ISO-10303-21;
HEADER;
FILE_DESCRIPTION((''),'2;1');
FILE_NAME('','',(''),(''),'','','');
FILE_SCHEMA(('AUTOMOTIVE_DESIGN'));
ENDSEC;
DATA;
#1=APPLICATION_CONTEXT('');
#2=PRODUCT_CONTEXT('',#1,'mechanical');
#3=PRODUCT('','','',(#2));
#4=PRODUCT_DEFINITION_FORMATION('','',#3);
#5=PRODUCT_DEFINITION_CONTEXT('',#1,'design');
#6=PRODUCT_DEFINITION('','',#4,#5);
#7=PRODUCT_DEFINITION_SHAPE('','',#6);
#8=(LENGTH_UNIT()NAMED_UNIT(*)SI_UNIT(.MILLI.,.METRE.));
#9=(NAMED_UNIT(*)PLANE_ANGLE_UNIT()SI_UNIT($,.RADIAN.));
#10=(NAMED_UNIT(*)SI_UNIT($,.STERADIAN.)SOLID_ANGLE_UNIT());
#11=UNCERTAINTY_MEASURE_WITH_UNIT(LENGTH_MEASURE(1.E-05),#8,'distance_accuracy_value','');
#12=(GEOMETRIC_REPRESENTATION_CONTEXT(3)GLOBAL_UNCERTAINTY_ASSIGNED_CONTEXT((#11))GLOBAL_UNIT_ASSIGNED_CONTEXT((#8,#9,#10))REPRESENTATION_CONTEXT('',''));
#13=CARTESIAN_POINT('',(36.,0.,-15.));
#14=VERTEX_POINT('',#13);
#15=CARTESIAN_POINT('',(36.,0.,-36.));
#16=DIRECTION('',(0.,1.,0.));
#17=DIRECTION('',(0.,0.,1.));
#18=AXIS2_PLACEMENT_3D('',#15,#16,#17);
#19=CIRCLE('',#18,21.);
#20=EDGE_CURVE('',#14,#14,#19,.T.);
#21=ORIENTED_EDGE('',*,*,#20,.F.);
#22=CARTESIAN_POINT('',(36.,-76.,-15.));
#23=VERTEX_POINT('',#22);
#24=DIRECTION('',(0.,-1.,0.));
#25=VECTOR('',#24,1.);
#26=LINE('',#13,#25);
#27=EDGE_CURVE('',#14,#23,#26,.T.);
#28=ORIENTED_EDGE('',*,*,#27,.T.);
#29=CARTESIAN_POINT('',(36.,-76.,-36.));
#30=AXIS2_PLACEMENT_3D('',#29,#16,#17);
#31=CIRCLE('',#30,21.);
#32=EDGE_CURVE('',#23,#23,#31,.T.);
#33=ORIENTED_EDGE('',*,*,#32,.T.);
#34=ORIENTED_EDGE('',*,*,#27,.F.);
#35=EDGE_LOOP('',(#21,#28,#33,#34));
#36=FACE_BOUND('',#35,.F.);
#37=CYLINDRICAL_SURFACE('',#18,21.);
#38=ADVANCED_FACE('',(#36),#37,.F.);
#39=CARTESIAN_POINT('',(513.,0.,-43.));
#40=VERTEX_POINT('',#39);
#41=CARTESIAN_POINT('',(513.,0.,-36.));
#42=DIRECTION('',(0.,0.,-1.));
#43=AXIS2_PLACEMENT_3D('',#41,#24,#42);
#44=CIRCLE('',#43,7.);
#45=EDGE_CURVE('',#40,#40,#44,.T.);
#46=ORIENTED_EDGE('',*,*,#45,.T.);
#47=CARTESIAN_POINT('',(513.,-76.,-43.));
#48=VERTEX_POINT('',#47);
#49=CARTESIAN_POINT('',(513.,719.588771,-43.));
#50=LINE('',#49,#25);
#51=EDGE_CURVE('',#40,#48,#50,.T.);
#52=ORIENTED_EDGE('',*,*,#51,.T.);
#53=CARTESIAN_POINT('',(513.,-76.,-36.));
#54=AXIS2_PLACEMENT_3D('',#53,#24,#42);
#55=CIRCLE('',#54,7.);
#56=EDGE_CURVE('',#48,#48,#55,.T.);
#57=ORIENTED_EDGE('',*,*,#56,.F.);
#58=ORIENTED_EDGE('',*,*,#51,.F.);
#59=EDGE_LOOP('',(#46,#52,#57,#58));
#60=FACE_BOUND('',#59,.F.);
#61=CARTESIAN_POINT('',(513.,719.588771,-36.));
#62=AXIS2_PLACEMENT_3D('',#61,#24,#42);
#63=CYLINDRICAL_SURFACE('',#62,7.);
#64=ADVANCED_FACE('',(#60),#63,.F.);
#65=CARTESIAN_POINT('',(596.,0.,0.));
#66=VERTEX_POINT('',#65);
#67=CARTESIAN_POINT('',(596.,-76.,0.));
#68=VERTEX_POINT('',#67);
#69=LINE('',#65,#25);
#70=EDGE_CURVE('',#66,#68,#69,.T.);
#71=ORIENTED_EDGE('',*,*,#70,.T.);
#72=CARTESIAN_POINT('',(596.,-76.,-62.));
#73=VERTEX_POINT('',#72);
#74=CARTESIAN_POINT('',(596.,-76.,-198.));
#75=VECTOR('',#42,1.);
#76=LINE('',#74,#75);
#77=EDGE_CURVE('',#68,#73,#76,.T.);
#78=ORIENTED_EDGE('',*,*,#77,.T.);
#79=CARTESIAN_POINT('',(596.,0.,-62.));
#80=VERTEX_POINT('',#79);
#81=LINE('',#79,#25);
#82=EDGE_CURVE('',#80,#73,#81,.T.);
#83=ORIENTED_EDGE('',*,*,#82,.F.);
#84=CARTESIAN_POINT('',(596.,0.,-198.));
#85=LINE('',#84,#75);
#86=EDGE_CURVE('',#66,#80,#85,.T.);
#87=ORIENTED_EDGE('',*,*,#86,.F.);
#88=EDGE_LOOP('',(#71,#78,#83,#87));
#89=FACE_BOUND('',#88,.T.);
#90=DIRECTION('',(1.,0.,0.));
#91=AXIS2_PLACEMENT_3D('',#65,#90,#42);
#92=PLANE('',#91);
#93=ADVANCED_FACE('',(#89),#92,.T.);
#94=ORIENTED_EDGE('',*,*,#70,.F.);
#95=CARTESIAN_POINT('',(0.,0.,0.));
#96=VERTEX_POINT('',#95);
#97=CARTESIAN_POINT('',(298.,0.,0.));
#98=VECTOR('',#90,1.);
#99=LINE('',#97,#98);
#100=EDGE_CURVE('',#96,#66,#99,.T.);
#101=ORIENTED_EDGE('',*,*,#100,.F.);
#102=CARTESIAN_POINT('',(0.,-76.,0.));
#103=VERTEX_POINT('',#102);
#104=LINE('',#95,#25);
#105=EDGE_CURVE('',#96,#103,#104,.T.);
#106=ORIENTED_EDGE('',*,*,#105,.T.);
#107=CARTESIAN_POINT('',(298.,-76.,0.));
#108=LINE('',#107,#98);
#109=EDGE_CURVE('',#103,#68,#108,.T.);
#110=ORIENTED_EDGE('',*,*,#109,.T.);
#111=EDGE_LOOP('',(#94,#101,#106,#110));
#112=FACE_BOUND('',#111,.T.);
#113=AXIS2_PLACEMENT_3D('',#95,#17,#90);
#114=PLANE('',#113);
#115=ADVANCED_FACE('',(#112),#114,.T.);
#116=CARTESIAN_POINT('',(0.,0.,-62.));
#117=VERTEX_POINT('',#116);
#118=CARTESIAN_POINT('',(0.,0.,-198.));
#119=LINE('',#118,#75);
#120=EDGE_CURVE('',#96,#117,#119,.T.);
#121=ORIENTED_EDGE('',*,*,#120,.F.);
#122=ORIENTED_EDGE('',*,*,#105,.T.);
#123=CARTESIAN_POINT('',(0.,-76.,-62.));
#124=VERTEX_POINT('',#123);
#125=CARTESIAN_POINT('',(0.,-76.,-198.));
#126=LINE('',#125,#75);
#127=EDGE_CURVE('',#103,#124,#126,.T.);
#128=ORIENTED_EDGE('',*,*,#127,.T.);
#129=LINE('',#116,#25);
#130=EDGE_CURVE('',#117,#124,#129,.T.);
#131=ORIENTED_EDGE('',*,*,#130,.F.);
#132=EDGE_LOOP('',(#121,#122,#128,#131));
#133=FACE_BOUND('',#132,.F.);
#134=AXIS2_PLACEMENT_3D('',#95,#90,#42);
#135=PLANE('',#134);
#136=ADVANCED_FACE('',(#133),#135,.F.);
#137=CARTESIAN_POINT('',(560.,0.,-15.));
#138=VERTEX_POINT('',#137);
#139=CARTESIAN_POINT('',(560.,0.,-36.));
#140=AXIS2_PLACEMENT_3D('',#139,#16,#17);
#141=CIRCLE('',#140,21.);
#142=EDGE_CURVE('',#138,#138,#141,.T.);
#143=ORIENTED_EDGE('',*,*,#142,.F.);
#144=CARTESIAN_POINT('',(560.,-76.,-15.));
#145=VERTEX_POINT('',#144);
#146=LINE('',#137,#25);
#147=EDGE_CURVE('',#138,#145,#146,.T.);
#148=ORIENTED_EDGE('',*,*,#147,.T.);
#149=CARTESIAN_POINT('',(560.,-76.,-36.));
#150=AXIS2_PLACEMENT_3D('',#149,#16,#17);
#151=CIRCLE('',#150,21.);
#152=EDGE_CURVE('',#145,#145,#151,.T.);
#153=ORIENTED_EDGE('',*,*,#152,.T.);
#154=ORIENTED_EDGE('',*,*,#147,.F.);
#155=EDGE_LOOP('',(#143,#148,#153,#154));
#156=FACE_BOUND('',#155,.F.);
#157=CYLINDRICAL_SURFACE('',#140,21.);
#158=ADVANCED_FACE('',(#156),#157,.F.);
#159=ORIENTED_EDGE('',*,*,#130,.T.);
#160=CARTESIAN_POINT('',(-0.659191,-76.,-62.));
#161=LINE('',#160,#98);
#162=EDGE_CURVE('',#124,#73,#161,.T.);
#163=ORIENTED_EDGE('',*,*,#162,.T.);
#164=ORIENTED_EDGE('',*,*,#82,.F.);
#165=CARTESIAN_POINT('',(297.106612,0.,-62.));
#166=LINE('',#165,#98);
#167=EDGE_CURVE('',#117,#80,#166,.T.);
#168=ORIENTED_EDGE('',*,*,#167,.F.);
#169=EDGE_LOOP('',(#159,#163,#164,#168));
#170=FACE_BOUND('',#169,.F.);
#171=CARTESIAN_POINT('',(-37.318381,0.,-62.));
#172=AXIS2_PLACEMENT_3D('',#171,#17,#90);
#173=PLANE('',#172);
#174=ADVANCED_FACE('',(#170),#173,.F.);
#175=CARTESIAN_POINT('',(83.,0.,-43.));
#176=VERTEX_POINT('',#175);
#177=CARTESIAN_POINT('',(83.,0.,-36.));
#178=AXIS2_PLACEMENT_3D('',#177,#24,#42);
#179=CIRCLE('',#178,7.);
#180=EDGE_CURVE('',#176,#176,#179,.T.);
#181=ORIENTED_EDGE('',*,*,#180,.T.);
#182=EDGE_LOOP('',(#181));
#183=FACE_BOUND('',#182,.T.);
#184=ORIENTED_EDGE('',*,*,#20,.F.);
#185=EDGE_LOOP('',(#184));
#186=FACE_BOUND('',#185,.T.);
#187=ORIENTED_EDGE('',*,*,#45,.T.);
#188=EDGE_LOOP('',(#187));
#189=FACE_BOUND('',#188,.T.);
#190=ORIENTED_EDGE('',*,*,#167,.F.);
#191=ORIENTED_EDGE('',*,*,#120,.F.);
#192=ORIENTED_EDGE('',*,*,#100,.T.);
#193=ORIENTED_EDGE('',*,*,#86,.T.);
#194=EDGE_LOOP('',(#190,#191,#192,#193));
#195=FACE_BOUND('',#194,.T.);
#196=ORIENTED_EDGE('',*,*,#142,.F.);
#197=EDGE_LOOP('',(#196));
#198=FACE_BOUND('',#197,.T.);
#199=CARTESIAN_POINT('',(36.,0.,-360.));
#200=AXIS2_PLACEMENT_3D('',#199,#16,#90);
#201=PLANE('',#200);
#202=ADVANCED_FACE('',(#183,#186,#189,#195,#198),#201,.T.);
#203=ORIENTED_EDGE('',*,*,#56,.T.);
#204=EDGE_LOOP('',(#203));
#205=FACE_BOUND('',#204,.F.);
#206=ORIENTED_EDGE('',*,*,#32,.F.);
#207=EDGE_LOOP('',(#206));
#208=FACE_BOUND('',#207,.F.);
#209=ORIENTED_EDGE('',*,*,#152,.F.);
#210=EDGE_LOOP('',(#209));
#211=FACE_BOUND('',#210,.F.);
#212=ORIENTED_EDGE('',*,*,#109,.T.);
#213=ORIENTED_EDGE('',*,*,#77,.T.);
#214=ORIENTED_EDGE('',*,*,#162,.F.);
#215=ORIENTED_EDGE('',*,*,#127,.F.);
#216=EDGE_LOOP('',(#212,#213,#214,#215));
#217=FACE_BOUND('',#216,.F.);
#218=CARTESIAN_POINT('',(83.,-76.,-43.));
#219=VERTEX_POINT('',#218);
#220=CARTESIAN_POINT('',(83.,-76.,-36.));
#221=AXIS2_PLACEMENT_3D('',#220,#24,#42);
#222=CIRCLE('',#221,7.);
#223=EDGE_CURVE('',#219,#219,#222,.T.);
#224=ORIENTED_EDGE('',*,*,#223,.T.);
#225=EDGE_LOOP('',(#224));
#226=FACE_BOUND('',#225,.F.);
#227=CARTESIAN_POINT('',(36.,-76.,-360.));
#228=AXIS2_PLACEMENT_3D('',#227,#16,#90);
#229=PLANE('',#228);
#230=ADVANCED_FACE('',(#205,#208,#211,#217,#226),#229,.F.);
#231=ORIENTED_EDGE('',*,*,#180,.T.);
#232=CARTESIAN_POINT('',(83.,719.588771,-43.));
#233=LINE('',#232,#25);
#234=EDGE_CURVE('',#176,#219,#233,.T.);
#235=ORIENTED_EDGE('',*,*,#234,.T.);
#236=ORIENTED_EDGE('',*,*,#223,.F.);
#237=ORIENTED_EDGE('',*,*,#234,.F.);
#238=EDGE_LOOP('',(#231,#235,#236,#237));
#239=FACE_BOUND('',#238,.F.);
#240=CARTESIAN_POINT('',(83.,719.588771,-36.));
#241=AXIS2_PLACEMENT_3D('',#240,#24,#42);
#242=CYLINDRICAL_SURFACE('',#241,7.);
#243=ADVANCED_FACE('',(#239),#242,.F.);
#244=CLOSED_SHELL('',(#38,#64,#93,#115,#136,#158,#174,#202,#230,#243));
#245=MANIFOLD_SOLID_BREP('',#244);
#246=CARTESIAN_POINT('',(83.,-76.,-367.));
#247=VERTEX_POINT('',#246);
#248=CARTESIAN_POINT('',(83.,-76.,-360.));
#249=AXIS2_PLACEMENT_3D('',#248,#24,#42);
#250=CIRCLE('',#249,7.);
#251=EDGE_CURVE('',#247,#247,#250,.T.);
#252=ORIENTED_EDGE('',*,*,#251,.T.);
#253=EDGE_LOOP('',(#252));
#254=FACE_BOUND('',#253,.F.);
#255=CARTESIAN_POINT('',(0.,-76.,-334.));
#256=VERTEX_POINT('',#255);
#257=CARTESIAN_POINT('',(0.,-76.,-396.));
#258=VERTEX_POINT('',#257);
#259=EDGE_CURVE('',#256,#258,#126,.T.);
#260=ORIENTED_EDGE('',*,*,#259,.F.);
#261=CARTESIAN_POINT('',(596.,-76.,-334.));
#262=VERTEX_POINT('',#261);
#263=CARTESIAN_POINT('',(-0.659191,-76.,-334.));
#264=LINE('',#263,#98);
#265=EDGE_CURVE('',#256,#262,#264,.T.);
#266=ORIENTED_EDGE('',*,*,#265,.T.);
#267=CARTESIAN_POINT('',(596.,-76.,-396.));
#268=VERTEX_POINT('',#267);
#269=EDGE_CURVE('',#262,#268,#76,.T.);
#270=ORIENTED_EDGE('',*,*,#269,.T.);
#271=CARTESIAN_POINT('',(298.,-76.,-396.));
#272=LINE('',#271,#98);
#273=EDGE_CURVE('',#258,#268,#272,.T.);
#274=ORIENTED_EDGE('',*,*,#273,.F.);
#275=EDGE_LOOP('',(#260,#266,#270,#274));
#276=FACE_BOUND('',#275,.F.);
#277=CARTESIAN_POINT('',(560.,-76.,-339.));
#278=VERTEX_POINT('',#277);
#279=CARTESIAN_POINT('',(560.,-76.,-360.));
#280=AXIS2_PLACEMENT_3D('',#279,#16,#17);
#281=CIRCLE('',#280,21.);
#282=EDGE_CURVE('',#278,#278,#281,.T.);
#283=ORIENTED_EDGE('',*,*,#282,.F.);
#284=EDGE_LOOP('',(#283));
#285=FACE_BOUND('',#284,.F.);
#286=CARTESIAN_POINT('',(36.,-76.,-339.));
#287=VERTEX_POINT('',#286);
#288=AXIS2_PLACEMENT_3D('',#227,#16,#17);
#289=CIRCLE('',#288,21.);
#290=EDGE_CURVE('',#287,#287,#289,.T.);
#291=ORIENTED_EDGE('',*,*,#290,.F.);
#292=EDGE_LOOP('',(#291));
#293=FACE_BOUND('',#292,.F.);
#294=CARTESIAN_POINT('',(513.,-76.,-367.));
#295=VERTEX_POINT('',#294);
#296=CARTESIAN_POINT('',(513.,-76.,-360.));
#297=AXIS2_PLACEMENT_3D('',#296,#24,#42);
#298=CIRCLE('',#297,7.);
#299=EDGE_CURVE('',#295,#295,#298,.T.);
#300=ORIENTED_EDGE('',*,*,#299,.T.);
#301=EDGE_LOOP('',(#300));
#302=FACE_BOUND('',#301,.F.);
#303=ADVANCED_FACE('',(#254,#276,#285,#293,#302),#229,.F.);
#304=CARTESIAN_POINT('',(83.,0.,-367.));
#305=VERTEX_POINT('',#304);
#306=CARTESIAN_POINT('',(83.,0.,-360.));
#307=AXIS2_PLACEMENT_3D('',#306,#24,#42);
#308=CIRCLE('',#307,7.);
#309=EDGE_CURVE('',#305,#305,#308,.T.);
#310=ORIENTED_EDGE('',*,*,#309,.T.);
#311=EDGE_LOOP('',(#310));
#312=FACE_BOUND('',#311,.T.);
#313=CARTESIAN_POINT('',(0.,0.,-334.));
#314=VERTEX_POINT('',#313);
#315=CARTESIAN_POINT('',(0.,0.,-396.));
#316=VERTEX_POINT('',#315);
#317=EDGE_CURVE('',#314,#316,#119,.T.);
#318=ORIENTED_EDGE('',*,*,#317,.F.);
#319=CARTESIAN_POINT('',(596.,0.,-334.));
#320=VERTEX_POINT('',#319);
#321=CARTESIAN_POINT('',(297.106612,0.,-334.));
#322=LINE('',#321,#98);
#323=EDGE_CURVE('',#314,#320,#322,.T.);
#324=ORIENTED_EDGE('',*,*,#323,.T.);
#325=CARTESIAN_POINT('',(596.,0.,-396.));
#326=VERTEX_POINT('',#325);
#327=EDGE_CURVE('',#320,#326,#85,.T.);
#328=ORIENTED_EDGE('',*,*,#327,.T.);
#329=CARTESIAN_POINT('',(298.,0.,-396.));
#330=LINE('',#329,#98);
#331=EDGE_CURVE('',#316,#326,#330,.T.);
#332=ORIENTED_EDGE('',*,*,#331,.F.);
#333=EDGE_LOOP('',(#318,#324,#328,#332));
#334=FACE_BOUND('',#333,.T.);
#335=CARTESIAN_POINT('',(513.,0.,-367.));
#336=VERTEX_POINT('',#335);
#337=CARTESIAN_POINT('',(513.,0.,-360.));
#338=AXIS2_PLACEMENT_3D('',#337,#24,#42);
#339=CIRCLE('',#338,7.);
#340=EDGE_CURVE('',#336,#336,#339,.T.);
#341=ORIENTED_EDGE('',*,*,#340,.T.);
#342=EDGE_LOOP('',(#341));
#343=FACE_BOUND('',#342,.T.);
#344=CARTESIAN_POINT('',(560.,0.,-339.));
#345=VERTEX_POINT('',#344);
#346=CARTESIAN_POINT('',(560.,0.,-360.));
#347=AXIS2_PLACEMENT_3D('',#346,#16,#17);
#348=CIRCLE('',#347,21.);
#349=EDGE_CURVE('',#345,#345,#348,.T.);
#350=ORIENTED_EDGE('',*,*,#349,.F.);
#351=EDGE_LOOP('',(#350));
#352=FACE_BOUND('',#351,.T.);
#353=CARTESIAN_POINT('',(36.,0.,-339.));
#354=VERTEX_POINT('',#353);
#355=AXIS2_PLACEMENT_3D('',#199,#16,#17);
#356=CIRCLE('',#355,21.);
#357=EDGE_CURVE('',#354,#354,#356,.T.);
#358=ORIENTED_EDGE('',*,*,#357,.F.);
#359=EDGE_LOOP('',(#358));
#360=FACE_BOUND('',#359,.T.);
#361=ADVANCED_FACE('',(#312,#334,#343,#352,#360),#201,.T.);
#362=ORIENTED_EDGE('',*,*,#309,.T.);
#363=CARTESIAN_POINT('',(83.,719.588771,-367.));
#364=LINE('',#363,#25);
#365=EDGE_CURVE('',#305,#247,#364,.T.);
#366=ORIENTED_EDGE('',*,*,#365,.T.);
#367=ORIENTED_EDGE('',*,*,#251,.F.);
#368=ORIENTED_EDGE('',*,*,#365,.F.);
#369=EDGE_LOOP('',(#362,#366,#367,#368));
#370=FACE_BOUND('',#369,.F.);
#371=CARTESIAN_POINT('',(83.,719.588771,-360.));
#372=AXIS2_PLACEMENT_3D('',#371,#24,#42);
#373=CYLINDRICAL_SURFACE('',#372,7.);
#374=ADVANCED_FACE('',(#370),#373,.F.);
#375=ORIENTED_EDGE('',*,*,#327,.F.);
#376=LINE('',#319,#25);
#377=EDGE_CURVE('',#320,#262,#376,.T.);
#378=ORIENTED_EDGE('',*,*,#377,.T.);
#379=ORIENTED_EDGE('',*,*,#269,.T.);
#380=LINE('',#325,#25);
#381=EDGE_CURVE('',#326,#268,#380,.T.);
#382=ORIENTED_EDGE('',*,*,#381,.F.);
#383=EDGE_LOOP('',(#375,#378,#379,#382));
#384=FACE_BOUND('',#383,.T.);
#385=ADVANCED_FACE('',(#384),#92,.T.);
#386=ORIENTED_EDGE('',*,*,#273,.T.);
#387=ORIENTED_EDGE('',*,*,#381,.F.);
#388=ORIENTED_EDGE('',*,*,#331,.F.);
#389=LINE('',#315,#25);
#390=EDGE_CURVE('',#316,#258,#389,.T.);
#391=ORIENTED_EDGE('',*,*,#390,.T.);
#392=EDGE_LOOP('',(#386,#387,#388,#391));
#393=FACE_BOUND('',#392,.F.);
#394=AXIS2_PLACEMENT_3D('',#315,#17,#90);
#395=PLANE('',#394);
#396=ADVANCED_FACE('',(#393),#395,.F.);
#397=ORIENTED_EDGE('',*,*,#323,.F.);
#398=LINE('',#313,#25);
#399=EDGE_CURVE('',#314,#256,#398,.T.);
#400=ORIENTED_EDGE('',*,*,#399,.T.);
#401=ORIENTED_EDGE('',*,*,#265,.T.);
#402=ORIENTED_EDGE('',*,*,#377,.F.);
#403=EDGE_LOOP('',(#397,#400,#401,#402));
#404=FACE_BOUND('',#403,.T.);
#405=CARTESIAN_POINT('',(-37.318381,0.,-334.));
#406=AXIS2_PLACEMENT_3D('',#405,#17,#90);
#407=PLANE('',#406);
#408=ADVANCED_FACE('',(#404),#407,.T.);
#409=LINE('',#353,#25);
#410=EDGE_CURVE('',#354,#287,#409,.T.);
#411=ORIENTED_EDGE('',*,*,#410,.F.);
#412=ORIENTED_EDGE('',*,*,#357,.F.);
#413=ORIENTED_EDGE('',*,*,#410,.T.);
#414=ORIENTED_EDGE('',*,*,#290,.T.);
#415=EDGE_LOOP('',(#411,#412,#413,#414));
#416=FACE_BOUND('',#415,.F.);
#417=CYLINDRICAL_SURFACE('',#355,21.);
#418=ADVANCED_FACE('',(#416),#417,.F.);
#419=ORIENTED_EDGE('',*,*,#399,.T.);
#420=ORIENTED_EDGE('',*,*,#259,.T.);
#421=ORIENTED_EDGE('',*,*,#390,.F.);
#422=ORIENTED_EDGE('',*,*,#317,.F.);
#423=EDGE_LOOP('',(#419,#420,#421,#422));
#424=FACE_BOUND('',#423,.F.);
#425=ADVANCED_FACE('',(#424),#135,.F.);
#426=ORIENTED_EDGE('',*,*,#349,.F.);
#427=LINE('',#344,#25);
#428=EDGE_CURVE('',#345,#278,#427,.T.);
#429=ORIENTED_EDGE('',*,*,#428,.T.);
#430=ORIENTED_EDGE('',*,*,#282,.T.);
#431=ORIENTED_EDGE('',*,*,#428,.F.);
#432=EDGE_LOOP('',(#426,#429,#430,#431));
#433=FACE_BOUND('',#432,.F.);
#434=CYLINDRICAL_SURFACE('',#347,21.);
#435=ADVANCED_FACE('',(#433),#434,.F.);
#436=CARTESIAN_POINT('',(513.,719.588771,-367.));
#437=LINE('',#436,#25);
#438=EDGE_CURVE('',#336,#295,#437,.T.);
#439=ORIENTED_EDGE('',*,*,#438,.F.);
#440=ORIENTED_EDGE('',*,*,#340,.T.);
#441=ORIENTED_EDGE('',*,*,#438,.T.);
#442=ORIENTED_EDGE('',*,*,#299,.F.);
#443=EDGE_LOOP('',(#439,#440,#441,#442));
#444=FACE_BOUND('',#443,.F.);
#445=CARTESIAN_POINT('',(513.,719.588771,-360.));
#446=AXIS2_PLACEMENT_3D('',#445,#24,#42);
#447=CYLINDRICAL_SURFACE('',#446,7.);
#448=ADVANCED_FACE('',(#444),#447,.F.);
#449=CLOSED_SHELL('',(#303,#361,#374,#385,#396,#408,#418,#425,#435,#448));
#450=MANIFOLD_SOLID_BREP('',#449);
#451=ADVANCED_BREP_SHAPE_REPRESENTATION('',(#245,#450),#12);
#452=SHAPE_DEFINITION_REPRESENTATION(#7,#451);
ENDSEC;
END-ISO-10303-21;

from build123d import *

# Parameters (mm, degrees)
SZKIC1_W                    = 596
SZKIC1_H                    = 396
SZKIC1_R                    = 24
SZKIC1_R_2                  = 21
DODANIE_WYCI_GNI_CIE1_DEPTH = 76
OTW_R_GWINTOWANY_M161_D     = 14
SZKIC4_W                    = 668.849986018
SZKIC4_H                    = 272
WYTNIJ_WYCI_GNI_CIE1_DEPTH  = 108


with BuildPart() as part:
    # Szkic1 → Dodanie-wyciągnięcie1 (new body)
    # profile 1 of 5: a face of its own
    with BuildSketch(Plane(origin=(0, 0, 0), x_dir=(1, 0, 0), z_dir=(0, 1, 0))):
        with Locations((298, 198)):
            Rectangle(SZKIC1_W, SZKIC1_H)
        with Locations((560, 360)):
            Circle(SZKIC1_R, mode=Mode.SUBTRACT)
        with Locations((36, 360)):
            Circle(SZKIC1_R, mode=Mode.SUBTRACT)
        with Locations((560, 36)):
            Circle(SZKIC1_R, mode=Mode.SUBTRACT)
        with Locations((36, 36)):
            Circle(SZKIC1_R, mode=Mode.SUBTRACT)
    # profile 2 of 5: a face of its own
    with BuildSketch(Plane(origin=(0, 0, 0), x_dir=(1, 0, 0), z_dir=(0, 1, 0))):
        with Locations((36, 36)):
            Circle(SZKIC1_R)
        with Locations(Location((36, 36, 0), (0, 0, 270))):
            Circle(SZKIC1_R_2, mode=Mode.SUBTRACT)
    # profile 3 of 5: a face of its own
    with BuildSketch(Plane(origin=(0, 0, 0), x_dir=(1, 0, 0), z_dir=(0, 1, 0))):
        with Locations((560, 36)):
            Circle(SZKIC1_R)
        with Locations(Location((560, 36, 0), (0, 0, 270))):
            Circle(SZKIC1_R_2, mode=Mode.SUBTRACT)
    # profile 4 of 5: a face of its own
    with BuildSketch(Plane(origin=(0, 0, 0), x_dir=(1, 0, 0), z_dir=(0, 1, 0))):
        with Locations((560, 360)):
            Circle(SZKIC1_R)
        with Locations(Location((560, 360, 0), (0, 0, 270))):
            Circle(SZKIC1_R_2, mode=Mode.SUBTRACT)
    # profile 5 of 5: a face of its own
    with BuildSketch(Plane(origin=(0, 0, 0), x_dir=(1, 0, 0), z_dir=(0, 1, 0))):
        with Locations((36, 360)):
            Circle(SZKIC1_R)
        with Locations(Location((36, 360, 0), (0, 0, 270))):
            Circle(SZKIC1_R_2, mode=Mode.SUBTRACT)
    extrude(amount=-DODANIE_WYCI_GNI_CIE1_DEPTH)

    # Otwór gwintowany M161 (through all)
    with Locations(Plane(origin=(83, 0, -360), x_dir=(0, 0, 1), z_dir=(0, 1, 0))):
        with Locations((0, 0), (0, 430), (324, 0), (324, 430)):
            Hole(OTW_R_GWINTOWANY_M161_D / 2)

    # Szkic4 → Wytnij-wyciągnięcie1 (cut)
    with BuildSketch(Plane(origin=(0, 0, 0), x_dir=(1, 0, 0), z_dir=(0, 1, 0))):
        with Locations((297.106611773, 198)):
            Rectangle(SZKIC4_W, SZKIC4_H)
    extrude(amount=-WYTNIJ_WYCI_GNI_CIE1_DEPTH, mode=Mode.SUBTRACT)


with BuildPart() as wytnij_wyci_gni_cie1_piece_1:
    # of the separate pieces the step leaves, piece 1, a body of its own (wytnij_wyci_gni_cie1_pieces)
    add(part.part.solids().sort_by_distance((0, 0, 0))[0])


with BuildPart() as wytnij_wyci_gni_cie1_piece_2:
    # of the separate pieces the step leaves, piece 2, a body of its own (wytnij_wyci_gni_cie1_pieces)
    add(part.part.solids().sort_by_distance((0, 0, -396))[0])


solid = Compound([wytnij_wyci_gni_cie1_piece_1.part, wytnij_wyci_gni_cie1_piece_2.part])
